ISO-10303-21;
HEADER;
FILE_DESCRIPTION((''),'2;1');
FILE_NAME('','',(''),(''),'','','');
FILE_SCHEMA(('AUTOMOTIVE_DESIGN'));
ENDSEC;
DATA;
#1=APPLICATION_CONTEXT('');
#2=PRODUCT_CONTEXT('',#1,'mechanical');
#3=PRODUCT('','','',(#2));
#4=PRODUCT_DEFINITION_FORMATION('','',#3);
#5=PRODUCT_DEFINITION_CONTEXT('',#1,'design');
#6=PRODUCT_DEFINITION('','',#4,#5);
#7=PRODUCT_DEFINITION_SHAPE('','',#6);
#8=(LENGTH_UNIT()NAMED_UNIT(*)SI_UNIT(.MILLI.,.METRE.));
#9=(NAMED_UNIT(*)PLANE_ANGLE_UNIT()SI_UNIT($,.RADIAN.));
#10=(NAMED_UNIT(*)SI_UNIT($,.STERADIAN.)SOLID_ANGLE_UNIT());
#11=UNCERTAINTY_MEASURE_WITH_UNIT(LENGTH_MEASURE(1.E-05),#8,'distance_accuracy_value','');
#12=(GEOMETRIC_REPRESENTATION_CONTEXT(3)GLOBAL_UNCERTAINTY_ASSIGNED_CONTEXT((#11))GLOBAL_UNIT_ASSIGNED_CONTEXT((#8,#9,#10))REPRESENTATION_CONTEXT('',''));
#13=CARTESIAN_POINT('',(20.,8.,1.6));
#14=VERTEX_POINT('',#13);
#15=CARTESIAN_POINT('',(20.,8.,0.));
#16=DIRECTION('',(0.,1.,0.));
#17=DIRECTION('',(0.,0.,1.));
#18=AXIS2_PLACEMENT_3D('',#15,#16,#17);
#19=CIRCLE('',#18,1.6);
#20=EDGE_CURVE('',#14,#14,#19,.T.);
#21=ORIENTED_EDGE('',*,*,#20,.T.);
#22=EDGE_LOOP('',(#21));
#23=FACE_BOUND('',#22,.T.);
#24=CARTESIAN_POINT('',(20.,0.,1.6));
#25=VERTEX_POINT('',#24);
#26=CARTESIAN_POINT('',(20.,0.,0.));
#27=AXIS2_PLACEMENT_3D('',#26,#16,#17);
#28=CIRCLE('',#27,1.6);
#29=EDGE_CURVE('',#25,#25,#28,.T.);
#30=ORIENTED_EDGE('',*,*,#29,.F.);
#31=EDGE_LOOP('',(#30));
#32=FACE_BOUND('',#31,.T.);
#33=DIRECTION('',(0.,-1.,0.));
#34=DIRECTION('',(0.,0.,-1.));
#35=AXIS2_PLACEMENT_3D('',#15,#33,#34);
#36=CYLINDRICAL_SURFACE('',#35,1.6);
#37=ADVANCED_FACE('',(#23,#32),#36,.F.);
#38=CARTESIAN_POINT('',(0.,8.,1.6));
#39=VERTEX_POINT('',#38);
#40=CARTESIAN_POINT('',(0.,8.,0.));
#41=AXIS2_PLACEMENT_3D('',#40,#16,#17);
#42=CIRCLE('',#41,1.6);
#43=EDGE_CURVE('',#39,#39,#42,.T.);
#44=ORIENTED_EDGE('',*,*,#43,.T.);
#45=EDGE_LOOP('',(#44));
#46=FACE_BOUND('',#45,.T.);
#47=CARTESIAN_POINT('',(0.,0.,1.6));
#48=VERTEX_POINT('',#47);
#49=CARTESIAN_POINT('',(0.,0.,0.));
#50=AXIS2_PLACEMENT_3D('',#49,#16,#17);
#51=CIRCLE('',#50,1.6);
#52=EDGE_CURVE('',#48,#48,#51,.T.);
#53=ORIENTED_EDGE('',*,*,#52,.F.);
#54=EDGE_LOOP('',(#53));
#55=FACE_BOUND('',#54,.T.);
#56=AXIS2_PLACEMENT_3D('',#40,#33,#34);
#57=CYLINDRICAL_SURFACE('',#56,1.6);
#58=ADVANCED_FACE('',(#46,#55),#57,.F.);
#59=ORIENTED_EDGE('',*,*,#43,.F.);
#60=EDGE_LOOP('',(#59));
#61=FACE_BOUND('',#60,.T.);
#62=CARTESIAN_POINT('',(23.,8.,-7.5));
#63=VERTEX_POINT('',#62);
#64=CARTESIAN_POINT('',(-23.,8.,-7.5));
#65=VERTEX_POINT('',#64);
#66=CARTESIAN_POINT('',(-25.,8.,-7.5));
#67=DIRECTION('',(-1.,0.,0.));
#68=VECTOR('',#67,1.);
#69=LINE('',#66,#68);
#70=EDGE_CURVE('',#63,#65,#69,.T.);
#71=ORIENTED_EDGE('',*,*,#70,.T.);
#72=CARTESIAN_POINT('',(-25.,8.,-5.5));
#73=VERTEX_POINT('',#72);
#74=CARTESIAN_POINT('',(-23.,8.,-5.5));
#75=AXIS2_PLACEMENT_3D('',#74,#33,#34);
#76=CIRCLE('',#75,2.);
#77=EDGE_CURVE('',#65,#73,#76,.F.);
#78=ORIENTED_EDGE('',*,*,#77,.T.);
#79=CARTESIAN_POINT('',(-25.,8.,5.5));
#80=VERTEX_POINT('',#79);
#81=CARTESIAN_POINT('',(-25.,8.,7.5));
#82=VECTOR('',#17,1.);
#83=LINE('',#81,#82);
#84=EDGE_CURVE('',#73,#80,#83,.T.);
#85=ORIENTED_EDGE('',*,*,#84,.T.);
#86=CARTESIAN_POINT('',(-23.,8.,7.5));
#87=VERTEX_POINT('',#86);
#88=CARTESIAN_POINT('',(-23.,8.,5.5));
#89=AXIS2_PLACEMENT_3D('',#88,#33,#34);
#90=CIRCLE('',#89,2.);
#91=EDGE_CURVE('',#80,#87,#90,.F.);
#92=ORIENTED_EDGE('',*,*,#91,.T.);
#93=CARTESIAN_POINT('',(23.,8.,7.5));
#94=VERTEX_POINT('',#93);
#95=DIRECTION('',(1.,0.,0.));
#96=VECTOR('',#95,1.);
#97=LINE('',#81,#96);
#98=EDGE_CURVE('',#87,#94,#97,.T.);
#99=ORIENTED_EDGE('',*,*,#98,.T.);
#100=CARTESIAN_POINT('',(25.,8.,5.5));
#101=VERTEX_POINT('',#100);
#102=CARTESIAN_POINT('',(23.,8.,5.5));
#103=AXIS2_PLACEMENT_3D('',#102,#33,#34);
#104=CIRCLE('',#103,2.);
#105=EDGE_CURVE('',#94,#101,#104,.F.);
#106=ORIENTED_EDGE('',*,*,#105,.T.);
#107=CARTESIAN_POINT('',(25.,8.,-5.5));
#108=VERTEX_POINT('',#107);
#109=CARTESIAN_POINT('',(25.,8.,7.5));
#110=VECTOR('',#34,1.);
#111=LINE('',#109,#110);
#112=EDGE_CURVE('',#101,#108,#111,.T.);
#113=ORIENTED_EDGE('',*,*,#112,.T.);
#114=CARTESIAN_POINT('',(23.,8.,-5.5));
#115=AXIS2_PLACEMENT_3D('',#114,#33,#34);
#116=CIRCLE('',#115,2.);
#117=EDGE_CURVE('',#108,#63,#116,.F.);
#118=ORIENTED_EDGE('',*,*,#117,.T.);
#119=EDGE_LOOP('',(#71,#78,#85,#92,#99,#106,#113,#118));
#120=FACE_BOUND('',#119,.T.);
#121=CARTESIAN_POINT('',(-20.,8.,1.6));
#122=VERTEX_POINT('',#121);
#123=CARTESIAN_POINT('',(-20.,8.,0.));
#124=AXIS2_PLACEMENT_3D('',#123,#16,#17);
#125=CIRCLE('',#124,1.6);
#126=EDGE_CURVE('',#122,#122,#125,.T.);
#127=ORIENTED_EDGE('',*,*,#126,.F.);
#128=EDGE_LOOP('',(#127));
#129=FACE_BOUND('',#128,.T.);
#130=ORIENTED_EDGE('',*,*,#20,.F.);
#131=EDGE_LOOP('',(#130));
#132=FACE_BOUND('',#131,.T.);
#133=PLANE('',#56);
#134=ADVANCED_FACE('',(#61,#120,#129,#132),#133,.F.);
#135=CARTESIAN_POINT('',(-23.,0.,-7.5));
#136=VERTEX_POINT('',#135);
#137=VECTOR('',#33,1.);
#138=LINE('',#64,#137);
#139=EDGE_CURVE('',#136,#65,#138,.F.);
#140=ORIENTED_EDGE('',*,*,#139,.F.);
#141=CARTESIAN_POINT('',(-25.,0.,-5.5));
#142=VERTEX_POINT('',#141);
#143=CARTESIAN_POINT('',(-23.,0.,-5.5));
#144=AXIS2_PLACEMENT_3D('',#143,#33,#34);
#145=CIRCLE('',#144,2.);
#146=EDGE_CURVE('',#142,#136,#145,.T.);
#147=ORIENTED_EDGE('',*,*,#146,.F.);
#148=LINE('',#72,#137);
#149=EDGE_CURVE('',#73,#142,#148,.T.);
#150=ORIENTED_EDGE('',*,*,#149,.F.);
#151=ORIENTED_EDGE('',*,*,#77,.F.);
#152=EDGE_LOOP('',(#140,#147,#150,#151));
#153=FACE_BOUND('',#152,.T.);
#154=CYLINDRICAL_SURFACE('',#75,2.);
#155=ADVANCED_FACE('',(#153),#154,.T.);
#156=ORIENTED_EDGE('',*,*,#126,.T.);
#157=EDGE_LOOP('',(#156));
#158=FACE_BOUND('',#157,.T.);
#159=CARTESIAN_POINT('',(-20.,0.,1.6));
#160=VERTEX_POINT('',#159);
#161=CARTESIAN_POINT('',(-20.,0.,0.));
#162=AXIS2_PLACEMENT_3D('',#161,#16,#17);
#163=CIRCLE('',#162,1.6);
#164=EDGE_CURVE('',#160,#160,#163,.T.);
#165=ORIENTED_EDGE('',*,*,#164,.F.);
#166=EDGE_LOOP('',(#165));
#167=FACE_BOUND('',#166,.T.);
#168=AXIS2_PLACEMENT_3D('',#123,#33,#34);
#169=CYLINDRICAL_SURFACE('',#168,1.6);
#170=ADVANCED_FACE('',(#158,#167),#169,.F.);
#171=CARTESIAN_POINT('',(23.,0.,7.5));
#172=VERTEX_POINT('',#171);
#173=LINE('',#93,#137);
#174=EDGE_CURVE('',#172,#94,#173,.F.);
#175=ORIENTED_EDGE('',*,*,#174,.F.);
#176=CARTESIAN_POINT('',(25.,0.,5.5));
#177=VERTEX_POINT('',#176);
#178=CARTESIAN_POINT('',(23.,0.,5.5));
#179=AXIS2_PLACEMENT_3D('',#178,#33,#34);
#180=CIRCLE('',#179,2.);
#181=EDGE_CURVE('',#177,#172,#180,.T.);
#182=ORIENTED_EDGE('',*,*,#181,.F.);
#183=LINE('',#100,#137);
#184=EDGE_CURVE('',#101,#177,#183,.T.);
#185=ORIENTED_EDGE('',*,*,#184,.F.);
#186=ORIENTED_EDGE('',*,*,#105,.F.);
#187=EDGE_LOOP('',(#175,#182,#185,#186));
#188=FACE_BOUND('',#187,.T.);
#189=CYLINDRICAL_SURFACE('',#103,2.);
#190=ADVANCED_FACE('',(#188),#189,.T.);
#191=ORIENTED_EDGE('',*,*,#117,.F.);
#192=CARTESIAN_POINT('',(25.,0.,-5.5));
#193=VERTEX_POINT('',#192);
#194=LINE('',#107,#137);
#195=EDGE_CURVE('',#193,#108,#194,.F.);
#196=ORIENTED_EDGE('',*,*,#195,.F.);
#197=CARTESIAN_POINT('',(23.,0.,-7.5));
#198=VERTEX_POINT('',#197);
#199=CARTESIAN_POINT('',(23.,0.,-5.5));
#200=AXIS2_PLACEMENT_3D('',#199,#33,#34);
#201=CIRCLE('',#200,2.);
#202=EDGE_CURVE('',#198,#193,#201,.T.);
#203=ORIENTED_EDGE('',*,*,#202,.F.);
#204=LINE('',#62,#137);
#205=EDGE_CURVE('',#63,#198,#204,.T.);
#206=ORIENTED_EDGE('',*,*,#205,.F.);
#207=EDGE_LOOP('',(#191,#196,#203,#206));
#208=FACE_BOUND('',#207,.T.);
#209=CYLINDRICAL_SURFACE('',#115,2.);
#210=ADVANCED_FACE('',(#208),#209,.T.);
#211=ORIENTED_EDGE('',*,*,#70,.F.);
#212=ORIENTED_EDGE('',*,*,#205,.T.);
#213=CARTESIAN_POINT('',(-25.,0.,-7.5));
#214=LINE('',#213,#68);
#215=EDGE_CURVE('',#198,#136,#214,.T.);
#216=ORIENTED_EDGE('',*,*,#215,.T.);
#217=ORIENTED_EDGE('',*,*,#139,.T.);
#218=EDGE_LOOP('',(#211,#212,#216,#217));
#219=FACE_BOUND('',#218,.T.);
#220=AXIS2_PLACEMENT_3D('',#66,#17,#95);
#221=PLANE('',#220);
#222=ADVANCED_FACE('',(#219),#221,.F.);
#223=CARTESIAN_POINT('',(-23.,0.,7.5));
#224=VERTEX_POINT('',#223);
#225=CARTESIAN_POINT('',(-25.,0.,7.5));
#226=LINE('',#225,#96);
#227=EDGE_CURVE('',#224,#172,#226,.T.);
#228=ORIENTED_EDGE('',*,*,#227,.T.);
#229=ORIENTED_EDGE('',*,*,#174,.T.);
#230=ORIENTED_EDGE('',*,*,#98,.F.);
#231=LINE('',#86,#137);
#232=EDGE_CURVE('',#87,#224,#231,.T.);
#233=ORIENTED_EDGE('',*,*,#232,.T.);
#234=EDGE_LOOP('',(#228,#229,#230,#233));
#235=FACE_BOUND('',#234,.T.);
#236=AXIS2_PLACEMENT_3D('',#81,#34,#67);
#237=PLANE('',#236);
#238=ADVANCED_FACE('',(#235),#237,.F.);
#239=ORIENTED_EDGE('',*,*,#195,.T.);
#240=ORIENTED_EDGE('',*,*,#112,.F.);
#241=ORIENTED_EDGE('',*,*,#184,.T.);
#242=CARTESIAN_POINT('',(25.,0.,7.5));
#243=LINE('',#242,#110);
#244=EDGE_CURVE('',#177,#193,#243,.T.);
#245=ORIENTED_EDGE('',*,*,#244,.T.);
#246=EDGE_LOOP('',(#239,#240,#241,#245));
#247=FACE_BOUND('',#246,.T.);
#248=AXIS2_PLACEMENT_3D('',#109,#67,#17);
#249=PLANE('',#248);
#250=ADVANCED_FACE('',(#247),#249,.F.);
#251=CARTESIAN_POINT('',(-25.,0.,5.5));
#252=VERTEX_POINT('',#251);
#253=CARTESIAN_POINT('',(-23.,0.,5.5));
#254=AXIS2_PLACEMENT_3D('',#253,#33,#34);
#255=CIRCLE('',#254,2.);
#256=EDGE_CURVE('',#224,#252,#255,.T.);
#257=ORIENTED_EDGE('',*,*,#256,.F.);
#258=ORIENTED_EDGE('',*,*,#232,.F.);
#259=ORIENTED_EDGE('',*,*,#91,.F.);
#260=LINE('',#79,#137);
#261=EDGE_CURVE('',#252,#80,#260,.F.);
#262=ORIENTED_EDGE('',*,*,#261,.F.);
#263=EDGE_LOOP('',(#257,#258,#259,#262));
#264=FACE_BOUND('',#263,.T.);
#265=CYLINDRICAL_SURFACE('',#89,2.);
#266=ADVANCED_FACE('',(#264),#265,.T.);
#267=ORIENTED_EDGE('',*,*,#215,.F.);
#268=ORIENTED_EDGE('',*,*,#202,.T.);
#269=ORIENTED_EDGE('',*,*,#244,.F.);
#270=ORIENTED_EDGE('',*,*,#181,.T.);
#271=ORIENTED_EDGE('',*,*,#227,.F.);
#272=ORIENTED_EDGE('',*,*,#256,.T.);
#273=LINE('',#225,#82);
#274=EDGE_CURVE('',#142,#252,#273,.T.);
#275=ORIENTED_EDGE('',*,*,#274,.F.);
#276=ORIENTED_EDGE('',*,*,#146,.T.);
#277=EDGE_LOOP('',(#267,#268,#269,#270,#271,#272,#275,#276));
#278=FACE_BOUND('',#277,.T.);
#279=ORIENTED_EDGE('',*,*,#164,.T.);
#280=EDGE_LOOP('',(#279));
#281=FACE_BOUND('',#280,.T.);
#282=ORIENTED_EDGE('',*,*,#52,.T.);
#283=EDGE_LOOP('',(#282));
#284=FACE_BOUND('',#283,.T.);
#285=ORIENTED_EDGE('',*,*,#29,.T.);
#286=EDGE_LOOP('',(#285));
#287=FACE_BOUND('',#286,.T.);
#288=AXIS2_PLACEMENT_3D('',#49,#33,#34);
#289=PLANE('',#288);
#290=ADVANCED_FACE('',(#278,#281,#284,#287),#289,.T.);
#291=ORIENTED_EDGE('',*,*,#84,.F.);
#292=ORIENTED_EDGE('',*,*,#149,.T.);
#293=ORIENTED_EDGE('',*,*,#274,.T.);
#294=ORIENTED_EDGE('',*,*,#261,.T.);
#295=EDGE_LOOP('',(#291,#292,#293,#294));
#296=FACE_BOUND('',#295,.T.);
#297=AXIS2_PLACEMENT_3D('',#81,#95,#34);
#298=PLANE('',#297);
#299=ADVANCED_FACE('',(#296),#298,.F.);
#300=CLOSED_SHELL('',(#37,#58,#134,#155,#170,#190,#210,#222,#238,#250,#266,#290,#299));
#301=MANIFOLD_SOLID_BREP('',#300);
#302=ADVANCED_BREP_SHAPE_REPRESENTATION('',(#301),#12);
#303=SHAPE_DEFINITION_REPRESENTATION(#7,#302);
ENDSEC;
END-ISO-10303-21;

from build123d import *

# Parameters (mm, degrees)
SKETCH_1_W      = 50
SKETCH_1_H      = 15
SKETCH_1_R      = 1.6
EXTRUDE_1_DEPTH = 8
FILLET_1_R      = 2


with BuildPart() as part:
    # 草图1 → 凸台-拉伸1 (new body)
    with BuildSketch(Plane(origin=(0, 0, 0), x_dir=(1, 0, 0), z_dir=(0, 1, 0))):
        Rectangle(SKETCH_1_W, SKETCH_1_H)
        with Locations(Location((-20, 0, 0), (0, 0, 270))):
            Circle(SKETCH_1_R, mode=Mode.SUBTRACT)
        with Locations(Location((0, 0, 0), (0, 0, 270))):
            Circle(SKETCH_1_R, mode=Mode.SUBTRACT)
        with Locations(Location((20, 0, 0), (0, 0, 270))):
            Circle(SKETCH_1_R, mode=Mode.SUBTRACT)
    extrude(amount=EXTRUDE_1_DEPTH)

    # 圆角1
    fillet_1_edges = [part.edges().sort_by_distance(p)[0] for p in [
        (25, 4, 7.5),
        (-25, 4, 7.5),
        (-25, 4, -7.5),
        (25, 4, -7.5),
    ]]
    fillet(fillet_1_edges, radius=FILLET_1_R)


solid = part.part
